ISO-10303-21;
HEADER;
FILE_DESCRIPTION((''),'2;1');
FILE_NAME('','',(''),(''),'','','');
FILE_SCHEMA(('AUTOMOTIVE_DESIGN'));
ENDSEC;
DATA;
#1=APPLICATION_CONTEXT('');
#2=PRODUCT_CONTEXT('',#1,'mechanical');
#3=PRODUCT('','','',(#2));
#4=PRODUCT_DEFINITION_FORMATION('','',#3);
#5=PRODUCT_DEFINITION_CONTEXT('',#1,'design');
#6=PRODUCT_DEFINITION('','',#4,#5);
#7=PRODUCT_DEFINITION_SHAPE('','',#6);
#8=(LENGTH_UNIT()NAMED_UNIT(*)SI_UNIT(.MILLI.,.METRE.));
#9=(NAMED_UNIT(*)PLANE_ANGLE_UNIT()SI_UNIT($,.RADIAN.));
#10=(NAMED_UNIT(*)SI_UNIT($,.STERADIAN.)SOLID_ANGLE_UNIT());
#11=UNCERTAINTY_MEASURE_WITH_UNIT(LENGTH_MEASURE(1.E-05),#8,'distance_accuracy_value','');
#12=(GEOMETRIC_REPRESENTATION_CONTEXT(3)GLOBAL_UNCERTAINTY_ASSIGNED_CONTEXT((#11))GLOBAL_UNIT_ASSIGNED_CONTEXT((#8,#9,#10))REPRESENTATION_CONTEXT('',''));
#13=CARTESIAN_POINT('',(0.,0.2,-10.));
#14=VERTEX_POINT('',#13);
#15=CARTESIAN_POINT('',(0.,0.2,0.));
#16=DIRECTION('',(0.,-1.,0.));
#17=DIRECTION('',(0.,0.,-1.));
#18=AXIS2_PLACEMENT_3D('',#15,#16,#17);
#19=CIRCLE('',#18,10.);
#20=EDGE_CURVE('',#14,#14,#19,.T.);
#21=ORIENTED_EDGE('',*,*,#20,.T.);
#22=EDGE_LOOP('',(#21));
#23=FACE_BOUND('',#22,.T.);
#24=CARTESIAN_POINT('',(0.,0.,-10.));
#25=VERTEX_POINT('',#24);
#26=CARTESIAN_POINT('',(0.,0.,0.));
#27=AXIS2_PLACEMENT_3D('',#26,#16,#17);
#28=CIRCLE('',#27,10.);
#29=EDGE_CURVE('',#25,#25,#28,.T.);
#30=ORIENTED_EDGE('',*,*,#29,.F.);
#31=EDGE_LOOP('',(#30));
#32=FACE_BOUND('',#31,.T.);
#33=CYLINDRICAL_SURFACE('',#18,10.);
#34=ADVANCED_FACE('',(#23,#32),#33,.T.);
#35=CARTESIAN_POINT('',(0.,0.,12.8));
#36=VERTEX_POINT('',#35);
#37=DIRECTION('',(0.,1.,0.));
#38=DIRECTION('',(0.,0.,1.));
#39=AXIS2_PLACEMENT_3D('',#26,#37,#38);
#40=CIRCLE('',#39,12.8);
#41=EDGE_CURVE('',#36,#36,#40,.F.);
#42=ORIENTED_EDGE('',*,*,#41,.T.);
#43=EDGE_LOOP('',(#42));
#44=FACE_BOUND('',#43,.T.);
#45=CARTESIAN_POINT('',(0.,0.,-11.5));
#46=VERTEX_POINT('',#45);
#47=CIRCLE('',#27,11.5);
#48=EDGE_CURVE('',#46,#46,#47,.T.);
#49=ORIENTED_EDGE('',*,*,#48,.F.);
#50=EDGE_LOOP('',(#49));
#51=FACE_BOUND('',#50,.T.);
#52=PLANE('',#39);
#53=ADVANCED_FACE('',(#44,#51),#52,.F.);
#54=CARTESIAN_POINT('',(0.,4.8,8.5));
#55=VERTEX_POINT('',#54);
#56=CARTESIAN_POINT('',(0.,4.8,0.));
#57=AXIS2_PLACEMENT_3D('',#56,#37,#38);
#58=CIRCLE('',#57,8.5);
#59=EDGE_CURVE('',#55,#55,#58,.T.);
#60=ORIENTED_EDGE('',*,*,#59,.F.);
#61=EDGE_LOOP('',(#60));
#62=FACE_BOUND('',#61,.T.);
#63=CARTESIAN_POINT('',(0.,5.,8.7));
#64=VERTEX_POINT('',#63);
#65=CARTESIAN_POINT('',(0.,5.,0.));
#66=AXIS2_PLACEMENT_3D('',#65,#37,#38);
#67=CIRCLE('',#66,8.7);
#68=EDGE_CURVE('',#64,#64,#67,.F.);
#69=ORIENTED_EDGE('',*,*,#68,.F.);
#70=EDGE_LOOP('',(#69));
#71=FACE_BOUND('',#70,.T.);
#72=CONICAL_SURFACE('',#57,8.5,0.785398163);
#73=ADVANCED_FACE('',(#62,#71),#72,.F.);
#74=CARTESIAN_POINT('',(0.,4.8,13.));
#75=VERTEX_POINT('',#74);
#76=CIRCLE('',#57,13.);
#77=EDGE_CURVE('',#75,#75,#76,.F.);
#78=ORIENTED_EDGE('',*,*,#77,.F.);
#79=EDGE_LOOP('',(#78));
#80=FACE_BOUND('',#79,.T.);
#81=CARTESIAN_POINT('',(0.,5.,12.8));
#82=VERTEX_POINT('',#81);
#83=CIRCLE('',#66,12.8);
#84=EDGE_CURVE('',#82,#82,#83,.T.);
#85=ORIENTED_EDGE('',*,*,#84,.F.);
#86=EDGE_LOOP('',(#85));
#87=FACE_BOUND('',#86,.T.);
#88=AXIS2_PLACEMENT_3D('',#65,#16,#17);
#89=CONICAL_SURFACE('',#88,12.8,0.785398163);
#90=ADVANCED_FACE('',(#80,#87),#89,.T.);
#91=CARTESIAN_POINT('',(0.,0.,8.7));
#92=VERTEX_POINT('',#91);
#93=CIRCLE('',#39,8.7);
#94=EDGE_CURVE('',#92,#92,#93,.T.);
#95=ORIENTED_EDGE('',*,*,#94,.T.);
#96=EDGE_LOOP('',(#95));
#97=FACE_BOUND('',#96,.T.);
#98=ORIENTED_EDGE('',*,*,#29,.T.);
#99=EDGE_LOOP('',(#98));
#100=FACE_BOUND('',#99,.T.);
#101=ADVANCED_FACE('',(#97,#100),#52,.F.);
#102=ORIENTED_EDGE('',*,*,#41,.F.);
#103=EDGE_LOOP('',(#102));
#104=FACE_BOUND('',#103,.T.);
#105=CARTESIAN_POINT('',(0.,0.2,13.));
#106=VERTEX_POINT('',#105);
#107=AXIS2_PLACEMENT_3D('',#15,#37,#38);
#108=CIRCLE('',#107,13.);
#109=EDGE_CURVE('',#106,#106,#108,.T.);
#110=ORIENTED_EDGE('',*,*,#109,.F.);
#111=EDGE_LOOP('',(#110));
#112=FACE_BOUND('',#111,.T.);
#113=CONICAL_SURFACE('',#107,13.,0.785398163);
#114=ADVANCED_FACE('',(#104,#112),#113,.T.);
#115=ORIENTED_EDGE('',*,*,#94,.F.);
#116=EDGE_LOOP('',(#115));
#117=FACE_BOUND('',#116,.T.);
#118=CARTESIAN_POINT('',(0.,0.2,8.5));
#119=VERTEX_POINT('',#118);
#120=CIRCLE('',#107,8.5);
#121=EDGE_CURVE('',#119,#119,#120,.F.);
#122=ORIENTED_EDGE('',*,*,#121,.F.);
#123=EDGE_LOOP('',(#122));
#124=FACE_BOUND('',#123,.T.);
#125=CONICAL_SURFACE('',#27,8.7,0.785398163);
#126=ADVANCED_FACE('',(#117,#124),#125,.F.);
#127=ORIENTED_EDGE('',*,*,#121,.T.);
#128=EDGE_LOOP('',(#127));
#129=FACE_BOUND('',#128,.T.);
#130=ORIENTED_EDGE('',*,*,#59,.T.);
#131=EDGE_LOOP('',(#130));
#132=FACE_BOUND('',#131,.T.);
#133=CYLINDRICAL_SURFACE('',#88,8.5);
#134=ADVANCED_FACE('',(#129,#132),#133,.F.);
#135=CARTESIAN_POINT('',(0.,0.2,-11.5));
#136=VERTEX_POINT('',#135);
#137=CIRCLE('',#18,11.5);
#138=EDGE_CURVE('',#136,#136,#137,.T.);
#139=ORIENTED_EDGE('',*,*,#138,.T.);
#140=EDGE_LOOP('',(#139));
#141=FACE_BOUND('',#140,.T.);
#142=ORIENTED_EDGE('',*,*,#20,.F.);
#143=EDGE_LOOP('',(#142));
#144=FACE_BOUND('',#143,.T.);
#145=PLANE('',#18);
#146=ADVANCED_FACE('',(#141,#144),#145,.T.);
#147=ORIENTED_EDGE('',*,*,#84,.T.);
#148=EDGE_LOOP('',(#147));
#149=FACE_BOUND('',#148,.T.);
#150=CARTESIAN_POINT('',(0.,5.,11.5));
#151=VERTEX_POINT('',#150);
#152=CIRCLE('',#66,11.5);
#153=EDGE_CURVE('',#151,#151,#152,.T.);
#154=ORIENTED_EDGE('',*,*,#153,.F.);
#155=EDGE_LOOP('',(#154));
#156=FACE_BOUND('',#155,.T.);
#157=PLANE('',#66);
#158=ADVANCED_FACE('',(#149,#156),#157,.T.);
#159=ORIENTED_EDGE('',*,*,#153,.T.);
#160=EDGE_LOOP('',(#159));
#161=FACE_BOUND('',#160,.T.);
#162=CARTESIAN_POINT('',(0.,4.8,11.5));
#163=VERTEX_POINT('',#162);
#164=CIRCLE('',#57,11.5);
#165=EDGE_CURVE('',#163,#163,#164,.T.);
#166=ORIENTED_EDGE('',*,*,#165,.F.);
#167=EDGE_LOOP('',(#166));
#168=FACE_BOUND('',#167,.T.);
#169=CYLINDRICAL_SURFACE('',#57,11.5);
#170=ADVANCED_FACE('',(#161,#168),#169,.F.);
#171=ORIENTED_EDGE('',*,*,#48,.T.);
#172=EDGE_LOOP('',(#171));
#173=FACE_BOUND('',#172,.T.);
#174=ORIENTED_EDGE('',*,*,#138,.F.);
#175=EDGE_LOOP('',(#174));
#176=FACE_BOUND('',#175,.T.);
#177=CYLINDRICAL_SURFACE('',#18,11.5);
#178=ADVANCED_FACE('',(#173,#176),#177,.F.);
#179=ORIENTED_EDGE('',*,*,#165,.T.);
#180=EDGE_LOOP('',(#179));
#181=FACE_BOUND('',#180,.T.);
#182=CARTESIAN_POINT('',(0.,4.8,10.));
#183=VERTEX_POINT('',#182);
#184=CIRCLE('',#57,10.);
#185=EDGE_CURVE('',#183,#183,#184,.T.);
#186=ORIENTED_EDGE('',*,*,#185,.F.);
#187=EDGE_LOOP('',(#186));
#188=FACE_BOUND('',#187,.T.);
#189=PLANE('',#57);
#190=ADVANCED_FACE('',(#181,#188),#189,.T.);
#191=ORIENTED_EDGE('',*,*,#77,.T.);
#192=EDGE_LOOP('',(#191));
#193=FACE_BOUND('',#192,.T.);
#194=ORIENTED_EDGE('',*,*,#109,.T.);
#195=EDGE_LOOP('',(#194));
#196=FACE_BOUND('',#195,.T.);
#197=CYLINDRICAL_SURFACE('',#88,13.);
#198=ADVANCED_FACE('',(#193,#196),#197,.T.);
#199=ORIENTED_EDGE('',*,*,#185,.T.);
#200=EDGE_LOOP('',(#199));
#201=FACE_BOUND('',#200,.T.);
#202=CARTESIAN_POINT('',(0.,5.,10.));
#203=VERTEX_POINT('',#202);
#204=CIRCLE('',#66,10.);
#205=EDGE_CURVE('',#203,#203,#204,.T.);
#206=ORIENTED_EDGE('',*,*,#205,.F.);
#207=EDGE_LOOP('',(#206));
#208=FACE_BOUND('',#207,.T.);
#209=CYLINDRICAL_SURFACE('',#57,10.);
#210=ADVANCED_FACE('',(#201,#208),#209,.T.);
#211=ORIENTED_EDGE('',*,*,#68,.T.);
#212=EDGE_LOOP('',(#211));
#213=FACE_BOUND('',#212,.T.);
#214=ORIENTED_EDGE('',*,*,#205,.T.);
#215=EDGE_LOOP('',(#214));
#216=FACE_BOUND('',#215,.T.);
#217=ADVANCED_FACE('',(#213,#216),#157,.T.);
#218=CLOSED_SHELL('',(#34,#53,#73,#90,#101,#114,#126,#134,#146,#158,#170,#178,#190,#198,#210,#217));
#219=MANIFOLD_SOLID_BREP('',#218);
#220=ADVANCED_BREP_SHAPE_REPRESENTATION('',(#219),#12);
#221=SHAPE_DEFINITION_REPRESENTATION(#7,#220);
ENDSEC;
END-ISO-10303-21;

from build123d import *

# Parameters (mm, degrees)
SKETCH1_R           = 13
SKETCH1_R_2         = 8.5
BOSS_EXTRUDE1_DEPTH = 5
SKETCH2_R           = 11.5
SKETCH2_R_2         = 10
CUT_EXTRUDE1_DEPTH  = 0.2
CUT_EXTRUDE2_START  = -0.2
SKETCH3_R           = 11.5
SKETCH3_R_2         = 10
CUT_EXTRUDE2_DEPTH  = 0.2
CHAMFER1_SIZE       = 0.2


with BuildPart() as part:
    # Sketch1 → Boss-Extrude1 (new body)
    with BuildSketch(Plane(origin=(0, 0, 0), x_dir=(1, 0, 0), z_dir=(0, 1, 0))):
        with Locations(Location((0, 0, 0), (0, 0, 270))):
            Circle(SKETCH1_R)
        with Locations(Location((0, 0, 0), (0, 0, 270))):
            Circle(SKETCH1_R_2, mode=Mode.SUBTRACT)
    extrude(amount=BOSS_EXTRUDE1_DEPTH)

    # Sketch2 → Cut-Extrude1 (cut)
    with BuildSketch(Plane(origin=(0, 5, 0), x_dir=(1, 0, 0), z_dir=(0, 1, 0))):
        with Locations(Location((0, 0, 0), (0, 0, 270))):
            Circle(SKETCH2_R)
        with Locations(Location((0, 0, 0), (0, 0, 270))):
            Circle(SKETCH2_R_2, mode=Mode.SUBTRACT)
    extrude(amount=-CUT_EXTRUDE1_DEPTH, mode=Mode.SUBTRACT)

    # Sketch3 → Cut-Extrude2 (cut)
    with BuildSketch(Plane.XZ.offset(CUT_EXTRUDE2_START)):
        with Locations(Location((0, 0, 0), (0, 0, 90))):
            Circle(SKETCH3_R)
        with Locations(Location((0, 0, 0), (0, 0, 90))):
            Circle(SKETCH3_R_2, mode=Mode.SUBTRACT)
    extrude(amount=CUT_EXTRUDE2_DEPTH, mode=Mode.SUBTRACT)

    # Chamfer1
    chamfer1_edges = [part.edges().sort_by_distance(p)[0] for p in [
        (0, 0, -13),
        (0, 5, -13),
        (0, 0, -8.5),
        (0, 5, -8.5),
    ]]
    chamfer(chamfer1_edges, length=CHAMFER1_SIZE)


solid = part.part
